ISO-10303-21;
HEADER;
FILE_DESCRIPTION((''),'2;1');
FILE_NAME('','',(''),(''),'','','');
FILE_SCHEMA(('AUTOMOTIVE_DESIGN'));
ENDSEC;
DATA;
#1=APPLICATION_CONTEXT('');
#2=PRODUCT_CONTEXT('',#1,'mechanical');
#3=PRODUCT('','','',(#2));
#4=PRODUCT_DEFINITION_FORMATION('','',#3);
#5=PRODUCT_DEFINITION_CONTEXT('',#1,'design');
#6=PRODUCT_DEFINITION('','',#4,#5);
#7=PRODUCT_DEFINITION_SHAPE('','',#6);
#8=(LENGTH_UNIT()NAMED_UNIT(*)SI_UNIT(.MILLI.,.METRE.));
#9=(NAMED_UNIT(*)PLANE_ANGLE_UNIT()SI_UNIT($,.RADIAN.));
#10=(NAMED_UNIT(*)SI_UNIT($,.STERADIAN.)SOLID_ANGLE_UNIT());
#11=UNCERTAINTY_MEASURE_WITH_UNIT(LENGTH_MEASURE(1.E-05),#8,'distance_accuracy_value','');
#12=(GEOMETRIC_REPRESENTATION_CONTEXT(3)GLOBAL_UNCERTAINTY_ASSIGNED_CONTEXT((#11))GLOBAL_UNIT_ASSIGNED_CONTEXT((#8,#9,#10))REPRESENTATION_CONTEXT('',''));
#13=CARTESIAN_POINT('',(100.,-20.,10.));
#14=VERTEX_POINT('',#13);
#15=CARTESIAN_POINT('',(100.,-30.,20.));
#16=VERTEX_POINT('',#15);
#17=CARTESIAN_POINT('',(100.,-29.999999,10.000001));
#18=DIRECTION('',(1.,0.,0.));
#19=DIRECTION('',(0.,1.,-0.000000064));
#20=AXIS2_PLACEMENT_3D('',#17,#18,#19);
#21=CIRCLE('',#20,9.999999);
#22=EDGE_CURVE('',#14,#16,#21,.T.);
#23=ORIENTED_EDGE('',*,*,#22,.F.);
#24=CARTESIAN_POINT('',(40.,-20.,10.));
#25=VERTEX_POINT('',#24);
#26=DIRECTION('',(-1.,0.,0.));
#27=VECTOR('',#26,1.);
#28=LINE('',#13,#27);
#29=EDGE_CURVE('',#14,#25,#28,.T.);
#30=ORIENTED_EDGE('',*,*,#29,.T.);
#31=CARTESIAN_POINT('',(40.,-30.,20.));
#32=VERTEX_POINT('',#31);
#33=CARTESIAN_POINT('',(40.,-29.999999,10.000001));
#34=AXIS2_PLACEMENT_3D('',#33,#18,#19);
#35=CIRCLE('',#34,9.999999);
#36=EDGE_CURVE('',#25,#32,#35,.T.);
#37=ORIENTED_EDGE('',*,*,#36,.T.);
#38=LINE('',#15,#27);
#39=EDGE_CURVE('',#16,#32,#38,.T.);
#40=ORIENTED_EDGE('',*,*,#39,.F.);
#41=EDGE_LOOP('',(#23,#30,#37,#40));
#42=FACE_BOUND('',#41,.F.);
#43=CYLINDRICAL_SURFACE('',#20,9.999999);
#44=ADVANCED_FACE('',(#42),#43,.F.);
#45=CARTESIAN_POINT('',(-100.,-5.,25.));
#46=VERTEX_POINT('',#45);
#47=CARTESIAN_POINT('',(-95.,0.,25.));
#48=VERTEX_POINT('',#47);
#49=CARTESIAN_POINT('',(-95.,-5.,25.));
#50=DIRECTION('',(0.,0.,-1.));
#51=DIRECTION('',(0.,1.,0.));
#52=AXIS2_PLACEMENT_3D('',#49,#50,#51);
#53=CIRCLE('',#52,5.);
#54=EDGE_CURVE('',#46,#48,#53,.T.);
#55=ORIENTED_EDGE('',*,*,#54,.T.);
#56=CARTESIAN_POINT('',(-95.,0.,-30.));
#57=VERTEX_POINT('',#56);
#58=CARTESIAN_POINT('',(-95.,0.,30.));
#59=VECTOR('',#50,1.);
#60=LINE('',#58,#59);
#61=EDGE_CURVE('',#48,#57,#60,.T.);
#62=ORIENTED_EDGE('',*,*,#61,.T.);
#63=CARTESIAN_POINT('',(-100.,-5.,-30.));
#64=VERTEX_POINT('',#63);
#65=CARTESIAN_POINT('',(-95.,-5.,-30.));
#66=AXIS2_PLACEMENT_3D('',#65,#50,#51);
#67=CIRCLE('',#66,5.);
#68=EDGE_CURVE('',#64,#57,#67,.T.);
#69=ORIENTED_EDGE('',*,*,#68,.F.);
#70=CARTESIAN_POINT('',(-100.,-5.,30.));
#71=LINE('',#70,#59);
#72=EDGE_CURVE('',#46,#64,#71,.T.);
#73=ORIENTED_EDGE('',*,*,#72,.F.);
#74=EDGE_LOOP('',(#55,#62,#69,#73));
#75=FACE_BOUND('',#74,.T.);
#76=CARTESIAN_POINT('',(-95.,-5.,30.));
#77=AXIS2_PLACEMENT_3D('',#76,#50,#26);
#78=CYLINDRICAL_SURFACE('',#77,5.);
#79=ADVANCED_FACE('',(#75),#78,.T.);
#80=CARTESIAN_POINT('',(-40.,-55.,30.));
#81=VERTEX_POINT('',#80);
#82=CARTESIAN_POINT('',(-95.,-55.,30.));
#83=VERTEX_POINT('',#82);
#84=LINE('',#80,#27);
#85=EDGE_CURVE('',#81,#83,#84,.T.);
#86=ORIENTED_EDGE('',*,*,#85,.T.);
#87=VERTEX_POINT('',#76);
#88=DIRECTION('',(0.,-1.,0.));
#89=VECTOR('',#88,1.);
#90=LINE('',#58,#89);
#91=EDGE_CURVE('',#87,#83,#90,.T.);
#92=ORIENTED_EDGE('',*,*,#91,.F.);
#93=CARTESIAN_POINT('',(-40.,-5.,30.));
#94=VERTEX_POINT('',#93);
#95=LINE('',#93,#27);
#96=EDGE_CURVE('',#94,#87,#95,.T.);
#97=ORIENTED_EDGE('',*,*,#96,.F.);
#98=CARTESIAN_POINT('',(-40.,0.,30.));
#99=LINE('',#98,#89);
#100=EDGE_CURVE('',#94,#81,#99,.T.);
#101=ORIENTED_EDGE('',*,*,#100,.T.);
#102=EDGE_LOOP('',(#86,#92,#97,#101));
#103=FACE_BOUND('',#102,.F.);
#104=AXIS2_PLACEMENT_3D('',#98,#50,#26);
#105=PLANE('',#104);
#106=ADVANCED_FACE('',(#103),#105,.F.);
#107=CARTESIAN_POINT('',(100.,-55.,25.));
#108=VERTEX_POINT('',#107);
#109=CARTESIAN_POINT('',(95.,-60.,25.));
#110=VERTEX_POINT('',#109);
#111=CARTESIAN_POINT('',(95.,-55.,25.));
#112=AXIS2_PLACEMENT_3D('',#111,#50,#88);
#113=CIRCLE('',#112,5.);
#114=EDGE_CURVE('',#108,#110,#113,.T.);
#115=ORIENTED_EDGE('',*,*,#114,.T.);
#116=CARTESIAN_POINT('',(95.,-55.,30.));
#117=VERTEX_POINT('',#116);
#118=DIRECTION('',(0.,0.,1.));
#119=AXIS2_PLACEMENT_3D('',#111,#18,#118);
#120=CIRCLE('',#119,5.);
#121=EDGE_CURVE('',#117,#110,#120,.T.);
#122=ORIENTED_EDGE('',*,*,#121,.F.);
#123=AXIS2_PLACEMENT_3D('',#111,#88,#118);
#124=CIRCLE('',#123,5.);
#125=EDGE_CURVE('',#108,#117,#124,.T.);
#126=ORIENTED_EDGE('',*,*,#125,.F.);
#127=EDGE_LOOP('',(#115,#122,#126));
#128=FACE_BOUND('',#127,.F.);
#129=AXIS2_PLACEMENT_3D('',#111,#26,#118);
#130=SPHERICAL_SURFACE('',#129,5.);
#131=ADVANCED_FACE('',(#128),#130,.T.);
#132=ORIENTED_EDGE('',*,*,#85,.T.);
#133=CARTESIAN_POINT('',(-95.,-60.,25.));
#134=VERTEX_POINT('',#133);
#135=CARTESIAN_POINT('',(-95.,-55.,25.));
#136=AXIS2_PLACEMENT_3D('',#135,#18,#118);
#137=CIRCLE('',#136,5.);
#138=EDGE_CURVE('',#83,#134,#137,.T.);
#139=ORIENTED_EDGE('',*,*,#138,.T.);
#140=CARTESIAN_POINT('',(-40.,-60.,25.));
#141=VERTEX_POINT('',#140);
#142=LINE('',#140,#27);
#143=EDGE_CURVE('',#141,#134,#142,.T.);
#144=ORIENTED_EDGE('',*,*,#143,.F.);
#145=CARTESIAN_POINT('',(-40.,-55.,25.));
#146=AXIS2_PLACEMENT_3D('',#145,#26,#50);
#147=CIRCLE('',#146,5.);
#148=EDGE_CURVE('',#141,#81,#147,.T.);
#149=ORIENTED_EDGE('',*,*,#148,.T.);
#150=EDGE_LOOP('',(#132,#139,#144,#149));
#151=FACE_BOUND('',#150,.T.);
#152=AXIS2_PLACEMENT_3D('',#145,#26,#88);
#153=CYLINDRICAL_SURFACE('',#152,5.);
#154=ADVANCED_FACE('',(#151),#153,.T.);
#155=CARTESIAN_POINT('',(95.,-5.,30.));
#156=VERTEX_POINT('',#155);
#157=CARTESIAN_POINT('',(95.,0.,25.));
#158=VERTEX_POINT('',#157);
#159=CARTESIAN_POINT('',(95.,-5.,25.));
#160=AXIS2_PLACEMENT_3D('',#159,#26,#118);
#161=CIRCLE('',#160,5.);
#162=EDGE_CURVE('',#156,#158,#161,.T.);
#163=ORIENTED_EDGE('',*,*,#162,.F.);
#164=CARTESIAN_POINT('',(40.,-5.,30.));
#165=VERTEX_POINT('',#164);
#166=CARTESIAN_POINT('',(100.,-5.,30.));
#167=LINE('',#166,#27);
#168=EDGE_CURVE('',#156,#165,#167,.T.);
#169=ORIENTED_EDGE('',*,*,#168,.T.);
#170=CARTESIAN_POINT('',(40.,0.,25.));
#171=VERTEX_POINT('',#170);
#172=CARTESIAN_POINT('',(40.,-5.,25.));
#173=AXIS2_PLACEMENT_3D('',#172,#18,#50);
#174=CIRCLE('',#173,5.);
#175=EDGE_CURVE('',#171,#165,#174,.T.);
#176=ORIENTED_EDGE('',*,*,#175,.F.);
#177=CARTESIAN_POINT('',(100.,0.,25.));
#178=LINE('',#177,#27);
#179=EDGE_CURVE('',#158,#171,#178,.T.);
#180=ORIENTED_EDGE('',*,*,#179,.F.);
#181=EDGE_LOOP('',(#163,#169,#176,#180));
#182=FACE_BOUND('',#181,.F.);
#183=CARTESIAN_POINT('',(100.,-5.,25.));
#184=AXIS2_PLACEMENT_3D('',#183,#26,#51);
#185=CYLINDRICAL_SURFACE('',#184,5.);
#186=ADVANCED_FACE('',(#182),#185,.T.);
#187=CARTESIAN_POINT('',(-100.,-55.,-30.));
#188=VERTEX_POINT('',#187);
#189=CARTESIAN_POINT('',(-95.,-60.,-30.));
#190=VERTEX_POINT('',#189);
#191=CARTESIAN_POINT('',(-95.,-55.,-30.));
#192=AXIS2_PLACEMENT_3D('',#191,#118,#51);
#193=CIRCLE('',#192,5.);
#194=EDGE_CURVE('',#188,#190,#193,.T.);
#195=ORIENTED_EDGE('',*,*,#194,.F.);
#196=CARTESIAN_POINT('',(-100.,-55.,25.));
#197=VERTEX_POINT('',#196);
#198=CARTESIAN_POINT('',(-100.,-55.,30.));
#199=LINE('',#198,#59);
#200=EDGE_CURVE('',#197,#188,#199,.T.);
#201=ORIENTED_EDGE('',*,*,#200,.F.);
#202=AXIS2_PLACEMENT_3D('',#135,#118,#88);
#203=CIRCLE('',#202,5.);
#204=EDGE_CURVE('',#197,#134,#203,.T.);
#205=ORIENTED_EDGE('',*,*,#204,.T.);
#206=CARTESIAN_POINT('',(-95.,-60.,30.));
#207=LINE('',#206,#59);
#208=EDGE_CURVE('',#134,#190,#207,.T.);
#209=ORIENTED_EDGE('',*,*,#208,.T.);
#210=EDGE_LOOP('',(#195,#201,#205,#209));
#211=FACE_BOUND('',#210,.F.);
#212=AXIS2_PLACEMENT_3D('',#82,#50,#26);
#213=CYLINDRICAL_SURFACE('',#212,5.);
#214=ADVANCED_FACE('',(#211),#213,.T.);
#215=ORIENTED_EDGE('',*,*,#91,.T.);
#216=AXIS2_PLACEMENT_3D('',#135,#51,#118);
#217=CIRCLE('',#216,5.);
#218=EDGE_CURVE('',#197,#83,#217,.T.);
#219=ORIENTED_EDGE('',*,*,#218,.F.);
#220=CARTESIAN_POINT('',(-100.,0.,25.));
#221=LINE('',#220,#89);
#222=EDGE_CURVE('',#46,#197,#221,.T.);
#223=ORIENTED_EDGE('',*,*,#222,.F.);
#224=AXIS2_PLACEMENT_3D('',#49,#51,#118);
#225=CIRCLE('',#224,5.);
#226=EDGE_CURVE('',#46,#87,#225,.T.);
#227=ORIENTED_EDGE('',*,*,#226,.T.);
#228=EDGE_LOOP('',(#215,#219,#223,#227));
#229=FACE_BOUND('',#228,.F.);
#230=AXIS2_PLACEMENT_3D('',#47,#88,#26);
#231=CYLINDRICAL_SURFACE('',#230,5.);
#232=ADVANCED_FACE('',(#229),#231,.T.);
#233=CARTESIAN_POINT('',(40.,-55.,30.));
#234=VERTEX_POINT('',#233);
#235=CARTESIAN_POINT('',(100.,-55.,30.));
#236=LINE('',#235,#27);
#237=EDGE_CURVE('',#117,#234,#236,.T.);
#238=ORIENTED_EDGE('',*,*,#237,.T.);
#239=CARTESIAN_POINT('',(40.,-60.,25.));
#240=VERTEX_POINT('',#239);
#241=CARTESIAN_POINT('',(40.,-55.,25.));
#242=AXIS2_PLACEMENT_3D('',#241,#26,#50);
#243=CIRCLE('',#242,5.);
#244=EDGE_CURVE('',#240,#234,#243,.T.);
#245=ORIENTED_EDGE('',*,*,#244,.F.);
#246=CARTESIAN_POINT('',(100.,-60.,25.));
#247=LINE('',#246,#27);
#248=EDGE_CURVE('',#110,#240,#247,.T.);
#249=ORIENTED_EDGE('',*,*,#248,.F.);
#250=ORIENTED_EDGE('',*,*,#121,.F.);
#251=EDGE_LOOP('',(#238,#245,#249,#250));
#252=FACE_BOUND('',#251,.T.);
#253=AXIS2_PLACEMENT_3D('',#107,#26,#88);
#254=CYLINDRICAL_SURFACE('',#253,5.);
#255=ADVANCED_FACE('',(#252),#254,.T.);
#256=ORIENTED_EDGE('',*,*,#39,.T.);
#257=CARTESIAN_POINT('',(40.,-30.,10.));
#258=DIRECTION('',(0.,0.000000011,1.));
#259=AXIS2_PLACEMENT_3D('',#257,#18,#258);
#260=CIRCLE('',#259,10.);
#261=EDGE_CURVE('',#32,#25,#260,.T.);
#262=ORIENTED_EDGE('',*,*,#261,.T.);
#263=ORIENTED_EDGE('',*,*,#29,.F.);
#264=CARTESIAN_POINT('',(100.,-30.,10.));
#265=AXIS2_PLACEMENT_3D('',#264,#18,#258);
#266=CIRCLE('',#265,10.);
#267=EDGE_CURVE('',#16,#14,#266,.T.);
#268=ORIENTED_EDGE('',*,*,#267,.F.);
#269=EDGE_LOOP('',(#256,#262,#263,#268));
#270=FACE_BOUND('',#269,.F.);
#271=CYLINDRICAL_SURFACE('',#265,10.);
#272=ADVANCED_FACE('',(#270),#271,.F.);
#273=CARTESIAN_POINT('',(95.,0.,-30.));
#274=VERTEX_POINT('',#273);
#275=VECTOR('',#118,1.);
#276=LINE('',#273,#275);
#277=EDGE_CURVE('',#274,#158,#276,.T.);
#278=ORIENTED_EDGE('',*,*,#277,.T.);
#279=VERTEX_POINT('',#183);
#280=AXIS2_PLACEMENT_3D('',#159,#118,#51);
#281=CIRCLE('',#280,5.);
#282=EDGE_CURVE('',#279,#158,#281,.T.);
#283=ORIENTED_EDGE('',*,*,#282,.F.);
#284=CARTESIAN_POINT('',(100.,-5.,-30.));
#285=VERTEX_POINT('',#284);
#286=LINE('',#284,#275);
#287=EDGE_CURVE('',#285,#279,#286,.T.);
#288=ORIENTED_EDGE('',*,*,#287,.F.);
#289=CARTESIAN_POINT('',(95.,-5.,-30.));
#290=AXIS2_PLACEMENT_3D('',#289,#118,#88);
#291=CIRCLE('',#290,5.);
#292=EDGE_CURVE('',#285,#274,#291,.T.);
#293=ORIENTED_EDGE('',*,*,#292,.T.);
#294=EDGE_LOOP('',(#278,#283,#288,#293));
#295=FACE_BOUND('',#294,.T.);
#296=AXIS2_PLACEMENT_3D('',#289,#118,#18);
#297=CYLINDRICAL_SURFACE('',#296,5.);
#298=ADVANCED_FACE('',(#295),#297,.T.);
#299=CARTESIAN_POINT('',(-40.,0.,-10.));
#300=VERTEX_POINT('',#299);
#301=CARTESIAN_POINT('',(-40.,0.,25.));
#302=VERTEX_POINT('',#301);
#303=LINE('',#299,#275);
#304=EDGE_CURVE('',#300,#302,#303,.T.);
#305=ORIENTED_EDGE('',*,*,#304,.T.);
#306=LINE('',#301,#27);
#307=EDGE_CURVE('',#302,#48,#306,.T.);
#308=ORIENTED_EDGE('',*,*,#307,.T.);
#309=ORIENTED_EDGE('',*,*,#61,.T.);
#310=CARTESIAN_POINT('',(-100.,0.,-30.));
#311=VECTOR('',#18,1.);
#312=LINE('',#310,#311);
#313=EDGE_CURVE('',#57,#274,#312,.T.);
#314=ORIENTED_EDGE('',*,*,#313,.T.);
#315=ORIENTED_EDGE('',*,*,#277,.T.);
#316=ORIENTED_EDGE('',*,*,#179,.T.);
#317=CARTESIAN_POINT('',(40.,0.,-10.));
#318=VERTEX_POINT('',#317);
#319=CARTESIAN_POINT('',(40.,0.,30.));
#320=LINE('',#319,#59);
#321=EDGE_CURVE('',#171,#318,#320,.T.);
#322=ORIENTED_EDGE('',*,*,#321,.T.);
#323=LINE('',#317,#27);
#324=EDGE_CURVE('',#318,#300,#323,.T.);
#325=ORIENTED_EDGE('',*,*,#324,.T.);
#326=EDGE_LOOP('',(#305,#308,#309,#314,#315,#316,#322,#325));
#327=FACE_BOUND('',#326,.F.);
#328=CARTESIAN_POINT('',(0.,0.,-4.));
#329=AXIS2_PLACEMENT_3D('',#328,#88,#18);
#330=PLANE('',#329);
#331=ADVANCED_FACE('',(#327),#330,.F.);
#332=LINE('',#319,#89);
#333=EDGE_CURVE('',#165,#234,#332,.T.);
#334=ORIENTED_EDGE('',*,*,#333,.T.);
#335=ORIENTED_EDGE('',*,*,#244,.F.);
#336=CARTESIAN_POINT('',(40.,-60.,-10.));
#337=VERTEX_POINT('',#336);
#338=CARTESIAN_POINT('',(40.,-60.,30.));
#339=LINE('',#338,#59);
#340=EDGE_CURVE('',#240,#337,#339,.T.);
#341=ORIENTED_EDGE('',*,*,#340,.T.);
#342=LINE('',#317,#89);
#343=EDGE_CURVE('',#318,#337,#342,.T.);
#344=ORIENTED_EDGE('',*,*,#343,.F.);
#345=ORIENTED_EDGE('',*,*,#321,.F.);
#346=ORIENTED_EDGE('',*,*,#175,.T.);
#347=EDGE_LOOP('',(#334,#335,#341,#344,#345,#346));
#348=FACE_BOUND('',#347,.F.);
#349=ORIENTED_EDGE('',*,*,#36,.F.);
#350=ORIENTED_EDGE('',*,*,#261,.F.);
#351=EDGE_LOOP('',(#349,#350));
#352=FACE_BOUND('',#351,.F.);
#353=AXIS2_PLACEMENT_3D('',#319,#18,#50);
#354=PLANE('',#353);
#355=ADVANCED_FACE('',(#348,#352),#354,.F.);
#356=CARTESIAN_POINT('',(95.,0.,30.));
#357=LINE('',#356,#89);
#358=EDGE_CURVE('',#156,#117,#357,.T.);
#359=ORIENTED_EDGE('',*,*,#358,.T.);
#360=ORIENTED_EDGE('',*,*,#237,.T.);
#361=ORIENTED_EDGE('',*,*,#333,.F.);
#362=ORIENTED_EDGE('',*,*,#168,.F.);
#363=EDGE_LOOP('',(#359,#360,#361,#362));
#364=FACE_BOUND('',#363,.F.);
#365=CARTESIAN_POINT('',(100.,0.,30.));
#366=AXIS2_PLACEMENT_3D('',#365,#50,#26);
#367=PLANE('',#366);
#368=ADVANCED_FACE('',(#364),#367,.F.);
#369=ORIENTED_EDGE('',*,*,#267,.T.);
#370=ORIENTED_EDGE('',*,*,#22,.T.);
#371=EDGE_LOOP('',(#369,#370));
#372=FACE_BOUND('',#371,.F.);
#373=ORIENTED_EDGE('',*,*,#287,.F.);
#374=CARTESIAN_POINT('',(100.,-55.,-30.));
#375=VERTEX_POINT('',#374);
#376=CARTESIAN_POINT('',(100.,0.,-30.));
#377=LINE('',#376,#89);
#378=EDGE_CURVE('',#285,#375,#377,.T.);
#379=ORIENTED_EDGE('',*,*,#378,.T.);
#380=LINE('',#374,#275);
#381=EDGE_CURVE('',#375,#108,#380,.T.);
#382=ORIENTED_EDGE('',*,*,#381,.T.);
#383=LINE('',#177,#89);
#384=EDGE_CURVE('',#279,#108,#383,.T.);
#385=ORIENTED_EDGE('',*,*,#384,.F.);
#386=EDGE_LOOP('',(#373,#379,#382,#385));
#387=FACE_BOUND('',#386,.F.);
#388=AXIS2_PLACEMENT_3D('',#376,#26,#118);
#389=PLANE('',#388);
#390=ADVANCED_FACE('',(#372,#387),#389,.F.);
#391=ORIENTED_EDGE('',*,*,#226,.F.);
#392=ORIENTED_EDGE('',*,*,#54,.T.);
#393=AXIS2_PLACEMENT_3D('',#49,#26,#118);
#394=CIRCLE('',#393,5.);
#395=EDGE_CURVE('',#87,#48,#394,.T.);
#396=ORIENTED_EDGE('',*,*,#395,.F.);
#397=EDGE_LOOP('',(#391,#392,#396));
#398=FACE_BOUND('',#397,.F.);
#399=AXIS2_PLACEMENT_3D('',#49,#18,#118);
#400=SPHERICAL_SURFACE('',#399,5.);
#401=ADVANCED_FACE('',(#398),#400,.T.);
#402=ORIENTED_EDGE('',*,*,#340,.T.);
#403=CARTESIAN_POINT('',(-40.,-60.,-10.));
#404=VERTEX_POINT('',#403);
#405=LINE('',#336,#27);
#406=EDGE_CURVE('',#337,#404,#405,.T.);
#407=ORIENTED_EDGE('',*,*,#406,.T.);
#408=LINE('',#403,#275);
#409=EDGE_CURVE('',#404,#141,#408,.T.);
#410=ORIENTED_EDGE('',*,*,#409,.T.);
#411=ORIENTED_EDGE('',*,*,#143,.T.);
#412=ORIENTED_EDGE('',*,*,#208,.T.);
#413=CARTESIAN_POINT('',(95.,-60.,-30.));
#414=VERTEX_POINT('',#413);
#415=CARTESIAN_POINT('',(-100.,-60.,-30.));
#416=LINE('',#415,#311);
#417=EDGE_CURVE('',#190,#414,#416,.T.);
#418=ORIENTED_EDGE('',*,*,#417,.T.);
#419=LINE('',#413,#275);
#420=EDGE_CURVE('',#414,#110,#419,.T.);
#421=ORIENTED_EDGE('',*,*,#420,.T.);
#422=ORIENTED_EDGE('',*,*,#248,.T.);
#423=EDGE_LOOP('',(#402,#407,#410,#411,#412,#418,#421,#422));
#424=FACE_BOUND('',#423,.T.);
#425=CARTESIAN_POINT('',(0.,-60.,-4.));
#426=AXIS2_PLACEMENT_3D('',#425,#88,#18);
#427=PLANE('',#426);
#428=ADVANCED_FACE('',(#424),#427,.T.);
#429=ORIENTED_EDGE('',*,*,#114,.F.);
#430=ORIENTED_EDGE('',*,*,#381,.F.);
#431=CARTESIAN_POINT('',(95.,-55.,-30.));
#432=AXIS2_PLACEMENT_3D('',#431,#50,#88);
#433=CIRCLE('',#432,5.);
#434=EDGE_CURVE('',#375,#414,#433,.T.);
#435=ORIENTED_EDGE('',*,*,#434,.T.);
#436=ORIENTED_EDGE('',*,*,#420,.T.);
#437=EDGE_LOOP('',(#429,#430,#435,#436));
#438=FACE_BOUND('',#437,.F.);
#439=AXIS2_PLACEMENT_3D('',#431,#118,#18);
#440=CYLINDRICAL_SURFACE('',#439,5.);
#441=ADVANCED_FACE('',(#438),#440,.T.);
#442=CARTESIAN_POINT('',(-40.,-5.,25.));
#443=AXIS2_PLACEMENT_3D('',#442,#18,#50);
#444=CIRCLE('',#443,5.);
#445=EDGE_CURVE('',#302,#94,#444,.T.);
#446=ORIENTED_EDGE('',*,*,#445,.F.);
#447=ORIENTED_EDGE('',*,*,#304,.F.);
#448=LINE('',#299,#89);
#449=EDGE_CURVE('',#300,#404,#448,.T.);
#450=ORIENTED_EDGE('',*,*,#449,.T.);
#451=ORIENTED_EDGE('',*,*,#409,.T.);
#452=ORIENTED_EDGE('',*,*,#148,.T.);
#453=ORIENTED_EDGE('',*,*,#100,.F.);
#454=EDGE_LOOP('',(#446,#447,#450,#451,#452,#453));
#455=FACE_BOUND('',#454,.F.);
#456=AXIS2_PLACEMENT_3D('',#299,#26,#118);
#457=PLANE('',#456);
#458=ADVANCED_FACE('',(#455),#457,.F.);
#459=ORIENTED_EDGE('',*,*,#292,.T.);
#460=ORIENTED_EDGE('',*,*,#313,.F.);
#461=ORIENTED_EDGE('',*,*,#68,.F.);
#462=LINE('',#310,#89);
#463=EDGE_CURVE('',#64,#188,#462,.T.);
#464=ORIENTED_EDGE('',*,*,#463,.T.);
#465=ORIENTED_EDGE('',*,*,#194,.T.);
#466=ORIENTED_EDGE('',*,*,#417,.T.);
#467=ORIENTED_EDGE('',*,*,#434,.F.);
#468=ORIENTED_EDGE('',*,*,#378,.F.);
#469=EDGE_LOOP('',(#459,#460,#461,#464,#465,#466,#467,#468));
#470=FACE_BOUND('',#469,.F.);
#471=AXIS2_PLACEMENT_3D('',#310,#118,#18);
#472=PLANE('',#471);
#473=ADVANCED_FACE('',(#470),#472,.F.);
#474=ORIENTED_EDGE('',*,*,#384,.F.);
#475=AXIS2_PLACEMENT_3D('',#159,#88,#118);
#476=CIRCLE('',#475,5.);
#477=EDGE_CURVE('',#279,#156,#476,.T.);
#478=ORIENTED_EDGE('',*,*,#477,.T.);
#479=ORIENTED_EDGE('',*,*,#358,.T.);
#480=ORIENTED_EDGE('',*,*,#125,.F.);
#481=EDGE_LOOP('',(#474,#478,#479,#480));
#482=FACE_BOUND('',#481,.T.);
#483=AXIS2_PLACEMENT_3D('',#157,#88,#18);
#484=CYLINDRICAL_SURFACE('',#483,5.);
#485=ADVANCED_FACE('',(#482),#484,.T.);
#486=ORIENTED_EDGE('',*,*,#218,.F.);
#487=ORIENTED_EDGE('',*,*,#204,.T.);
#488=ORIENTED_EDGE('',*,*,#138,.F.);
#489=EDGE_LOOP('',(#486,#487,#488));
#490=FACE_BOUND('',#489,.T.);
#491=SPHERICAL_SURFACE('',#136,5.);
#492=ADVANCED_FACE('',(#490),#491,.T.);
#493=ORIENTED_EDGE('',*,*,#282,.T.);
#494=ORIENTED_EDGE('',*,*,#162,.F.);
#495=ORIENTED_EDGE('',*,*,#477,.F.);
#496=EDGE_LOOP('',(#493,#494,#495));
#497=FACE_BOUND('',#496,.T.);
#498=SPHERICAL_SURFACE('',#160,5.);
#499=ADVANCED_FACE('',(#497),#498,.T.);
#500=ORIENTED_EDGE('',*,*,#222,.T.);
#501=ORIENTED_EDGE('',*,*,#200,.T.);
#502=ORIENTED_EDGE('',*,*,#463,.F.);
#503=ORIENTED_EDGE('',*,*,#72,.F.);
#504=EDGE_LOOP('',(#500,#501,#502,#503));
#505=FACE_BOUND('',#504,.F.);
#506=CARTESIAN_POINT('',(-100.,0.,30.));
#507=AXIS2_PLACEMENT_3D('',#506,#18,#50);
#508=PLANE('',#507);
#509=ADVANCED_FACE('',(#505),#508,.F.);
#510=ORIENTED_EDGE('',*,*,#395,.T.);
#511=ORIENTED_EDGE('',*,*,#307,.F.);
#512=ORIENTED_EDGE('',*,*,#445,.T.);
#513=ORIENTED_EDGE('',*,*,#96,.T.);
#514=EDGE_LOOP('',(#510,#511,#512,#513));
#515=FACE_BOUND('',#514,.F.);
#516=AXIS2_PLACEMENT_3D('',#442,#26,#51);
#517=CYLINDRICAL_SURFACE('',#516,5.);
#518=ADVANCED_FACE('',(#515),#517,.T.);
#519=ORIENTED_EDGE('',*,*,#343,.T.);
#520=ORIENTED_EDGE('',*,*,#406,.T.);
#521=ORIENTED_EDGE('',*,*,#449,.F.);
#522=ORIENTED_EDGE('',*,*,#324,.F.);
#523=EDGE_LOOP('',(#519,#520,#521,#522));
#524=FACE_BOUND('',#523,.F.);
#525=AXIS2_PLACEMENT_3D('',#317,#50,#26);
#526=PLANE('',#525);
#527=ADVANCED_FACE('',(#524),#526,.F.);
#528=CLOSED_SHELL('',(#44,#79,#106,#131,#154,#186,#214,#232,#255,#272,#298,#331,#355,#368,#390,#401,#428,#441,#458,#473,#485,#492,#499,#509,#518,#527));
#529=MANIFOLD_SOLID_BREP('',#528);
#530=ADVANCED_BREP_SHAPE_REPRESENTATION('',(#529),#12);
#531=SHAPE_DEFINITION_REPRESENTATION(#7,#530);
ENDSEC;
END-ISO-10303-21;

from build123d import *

# Parameters (mm, degrees)
F1_DEPTH = 60
F3_DEPTH = 60
F4_R     = 5


with BuildPart() as f1:
    # F0 (on Front) → F1 (new body)
    with BuildSketch(Plane.XZ):
        Polygon((-100, -30), (100, -30), (100, 30), (40, 30), (40, -10), (-40, -10), (-40, 30), (-100, 30), align=None)
    extrude(amount=F1_DEPTH)

    # F2 (on face) → F3 (cut)
    with BuildSketch(Plane.YZ.offset(100)):
        with BuildLine():
            ThreePointArc((-20, 10), (-22.928932, 17.071068), (-30, 20))
            ThreePointArc((-30, 20), (-37.071068, 2.928932), (-20, 10))
        make_face()
    extrude(amount=-F3_DEPTH, mode=Mode.SUBTRACT)

    # F4
    f4_edges = [f1.edges().sort_by_distance(p)[0] for p in [
        (70, -60, 30),
        (70, 0, 30),
        (100, -30, 30),
        (-70, -60, 30),
        (-70, 0, 30),
        (-100, -30, 30),
        (100, 0, 0),
        (100, -60, 0),
        (-100, 0, 0),
        (-100, -60, 0),
    ]]
    fillet(f4_edges, radius=F4_R)


solid = f1.part
